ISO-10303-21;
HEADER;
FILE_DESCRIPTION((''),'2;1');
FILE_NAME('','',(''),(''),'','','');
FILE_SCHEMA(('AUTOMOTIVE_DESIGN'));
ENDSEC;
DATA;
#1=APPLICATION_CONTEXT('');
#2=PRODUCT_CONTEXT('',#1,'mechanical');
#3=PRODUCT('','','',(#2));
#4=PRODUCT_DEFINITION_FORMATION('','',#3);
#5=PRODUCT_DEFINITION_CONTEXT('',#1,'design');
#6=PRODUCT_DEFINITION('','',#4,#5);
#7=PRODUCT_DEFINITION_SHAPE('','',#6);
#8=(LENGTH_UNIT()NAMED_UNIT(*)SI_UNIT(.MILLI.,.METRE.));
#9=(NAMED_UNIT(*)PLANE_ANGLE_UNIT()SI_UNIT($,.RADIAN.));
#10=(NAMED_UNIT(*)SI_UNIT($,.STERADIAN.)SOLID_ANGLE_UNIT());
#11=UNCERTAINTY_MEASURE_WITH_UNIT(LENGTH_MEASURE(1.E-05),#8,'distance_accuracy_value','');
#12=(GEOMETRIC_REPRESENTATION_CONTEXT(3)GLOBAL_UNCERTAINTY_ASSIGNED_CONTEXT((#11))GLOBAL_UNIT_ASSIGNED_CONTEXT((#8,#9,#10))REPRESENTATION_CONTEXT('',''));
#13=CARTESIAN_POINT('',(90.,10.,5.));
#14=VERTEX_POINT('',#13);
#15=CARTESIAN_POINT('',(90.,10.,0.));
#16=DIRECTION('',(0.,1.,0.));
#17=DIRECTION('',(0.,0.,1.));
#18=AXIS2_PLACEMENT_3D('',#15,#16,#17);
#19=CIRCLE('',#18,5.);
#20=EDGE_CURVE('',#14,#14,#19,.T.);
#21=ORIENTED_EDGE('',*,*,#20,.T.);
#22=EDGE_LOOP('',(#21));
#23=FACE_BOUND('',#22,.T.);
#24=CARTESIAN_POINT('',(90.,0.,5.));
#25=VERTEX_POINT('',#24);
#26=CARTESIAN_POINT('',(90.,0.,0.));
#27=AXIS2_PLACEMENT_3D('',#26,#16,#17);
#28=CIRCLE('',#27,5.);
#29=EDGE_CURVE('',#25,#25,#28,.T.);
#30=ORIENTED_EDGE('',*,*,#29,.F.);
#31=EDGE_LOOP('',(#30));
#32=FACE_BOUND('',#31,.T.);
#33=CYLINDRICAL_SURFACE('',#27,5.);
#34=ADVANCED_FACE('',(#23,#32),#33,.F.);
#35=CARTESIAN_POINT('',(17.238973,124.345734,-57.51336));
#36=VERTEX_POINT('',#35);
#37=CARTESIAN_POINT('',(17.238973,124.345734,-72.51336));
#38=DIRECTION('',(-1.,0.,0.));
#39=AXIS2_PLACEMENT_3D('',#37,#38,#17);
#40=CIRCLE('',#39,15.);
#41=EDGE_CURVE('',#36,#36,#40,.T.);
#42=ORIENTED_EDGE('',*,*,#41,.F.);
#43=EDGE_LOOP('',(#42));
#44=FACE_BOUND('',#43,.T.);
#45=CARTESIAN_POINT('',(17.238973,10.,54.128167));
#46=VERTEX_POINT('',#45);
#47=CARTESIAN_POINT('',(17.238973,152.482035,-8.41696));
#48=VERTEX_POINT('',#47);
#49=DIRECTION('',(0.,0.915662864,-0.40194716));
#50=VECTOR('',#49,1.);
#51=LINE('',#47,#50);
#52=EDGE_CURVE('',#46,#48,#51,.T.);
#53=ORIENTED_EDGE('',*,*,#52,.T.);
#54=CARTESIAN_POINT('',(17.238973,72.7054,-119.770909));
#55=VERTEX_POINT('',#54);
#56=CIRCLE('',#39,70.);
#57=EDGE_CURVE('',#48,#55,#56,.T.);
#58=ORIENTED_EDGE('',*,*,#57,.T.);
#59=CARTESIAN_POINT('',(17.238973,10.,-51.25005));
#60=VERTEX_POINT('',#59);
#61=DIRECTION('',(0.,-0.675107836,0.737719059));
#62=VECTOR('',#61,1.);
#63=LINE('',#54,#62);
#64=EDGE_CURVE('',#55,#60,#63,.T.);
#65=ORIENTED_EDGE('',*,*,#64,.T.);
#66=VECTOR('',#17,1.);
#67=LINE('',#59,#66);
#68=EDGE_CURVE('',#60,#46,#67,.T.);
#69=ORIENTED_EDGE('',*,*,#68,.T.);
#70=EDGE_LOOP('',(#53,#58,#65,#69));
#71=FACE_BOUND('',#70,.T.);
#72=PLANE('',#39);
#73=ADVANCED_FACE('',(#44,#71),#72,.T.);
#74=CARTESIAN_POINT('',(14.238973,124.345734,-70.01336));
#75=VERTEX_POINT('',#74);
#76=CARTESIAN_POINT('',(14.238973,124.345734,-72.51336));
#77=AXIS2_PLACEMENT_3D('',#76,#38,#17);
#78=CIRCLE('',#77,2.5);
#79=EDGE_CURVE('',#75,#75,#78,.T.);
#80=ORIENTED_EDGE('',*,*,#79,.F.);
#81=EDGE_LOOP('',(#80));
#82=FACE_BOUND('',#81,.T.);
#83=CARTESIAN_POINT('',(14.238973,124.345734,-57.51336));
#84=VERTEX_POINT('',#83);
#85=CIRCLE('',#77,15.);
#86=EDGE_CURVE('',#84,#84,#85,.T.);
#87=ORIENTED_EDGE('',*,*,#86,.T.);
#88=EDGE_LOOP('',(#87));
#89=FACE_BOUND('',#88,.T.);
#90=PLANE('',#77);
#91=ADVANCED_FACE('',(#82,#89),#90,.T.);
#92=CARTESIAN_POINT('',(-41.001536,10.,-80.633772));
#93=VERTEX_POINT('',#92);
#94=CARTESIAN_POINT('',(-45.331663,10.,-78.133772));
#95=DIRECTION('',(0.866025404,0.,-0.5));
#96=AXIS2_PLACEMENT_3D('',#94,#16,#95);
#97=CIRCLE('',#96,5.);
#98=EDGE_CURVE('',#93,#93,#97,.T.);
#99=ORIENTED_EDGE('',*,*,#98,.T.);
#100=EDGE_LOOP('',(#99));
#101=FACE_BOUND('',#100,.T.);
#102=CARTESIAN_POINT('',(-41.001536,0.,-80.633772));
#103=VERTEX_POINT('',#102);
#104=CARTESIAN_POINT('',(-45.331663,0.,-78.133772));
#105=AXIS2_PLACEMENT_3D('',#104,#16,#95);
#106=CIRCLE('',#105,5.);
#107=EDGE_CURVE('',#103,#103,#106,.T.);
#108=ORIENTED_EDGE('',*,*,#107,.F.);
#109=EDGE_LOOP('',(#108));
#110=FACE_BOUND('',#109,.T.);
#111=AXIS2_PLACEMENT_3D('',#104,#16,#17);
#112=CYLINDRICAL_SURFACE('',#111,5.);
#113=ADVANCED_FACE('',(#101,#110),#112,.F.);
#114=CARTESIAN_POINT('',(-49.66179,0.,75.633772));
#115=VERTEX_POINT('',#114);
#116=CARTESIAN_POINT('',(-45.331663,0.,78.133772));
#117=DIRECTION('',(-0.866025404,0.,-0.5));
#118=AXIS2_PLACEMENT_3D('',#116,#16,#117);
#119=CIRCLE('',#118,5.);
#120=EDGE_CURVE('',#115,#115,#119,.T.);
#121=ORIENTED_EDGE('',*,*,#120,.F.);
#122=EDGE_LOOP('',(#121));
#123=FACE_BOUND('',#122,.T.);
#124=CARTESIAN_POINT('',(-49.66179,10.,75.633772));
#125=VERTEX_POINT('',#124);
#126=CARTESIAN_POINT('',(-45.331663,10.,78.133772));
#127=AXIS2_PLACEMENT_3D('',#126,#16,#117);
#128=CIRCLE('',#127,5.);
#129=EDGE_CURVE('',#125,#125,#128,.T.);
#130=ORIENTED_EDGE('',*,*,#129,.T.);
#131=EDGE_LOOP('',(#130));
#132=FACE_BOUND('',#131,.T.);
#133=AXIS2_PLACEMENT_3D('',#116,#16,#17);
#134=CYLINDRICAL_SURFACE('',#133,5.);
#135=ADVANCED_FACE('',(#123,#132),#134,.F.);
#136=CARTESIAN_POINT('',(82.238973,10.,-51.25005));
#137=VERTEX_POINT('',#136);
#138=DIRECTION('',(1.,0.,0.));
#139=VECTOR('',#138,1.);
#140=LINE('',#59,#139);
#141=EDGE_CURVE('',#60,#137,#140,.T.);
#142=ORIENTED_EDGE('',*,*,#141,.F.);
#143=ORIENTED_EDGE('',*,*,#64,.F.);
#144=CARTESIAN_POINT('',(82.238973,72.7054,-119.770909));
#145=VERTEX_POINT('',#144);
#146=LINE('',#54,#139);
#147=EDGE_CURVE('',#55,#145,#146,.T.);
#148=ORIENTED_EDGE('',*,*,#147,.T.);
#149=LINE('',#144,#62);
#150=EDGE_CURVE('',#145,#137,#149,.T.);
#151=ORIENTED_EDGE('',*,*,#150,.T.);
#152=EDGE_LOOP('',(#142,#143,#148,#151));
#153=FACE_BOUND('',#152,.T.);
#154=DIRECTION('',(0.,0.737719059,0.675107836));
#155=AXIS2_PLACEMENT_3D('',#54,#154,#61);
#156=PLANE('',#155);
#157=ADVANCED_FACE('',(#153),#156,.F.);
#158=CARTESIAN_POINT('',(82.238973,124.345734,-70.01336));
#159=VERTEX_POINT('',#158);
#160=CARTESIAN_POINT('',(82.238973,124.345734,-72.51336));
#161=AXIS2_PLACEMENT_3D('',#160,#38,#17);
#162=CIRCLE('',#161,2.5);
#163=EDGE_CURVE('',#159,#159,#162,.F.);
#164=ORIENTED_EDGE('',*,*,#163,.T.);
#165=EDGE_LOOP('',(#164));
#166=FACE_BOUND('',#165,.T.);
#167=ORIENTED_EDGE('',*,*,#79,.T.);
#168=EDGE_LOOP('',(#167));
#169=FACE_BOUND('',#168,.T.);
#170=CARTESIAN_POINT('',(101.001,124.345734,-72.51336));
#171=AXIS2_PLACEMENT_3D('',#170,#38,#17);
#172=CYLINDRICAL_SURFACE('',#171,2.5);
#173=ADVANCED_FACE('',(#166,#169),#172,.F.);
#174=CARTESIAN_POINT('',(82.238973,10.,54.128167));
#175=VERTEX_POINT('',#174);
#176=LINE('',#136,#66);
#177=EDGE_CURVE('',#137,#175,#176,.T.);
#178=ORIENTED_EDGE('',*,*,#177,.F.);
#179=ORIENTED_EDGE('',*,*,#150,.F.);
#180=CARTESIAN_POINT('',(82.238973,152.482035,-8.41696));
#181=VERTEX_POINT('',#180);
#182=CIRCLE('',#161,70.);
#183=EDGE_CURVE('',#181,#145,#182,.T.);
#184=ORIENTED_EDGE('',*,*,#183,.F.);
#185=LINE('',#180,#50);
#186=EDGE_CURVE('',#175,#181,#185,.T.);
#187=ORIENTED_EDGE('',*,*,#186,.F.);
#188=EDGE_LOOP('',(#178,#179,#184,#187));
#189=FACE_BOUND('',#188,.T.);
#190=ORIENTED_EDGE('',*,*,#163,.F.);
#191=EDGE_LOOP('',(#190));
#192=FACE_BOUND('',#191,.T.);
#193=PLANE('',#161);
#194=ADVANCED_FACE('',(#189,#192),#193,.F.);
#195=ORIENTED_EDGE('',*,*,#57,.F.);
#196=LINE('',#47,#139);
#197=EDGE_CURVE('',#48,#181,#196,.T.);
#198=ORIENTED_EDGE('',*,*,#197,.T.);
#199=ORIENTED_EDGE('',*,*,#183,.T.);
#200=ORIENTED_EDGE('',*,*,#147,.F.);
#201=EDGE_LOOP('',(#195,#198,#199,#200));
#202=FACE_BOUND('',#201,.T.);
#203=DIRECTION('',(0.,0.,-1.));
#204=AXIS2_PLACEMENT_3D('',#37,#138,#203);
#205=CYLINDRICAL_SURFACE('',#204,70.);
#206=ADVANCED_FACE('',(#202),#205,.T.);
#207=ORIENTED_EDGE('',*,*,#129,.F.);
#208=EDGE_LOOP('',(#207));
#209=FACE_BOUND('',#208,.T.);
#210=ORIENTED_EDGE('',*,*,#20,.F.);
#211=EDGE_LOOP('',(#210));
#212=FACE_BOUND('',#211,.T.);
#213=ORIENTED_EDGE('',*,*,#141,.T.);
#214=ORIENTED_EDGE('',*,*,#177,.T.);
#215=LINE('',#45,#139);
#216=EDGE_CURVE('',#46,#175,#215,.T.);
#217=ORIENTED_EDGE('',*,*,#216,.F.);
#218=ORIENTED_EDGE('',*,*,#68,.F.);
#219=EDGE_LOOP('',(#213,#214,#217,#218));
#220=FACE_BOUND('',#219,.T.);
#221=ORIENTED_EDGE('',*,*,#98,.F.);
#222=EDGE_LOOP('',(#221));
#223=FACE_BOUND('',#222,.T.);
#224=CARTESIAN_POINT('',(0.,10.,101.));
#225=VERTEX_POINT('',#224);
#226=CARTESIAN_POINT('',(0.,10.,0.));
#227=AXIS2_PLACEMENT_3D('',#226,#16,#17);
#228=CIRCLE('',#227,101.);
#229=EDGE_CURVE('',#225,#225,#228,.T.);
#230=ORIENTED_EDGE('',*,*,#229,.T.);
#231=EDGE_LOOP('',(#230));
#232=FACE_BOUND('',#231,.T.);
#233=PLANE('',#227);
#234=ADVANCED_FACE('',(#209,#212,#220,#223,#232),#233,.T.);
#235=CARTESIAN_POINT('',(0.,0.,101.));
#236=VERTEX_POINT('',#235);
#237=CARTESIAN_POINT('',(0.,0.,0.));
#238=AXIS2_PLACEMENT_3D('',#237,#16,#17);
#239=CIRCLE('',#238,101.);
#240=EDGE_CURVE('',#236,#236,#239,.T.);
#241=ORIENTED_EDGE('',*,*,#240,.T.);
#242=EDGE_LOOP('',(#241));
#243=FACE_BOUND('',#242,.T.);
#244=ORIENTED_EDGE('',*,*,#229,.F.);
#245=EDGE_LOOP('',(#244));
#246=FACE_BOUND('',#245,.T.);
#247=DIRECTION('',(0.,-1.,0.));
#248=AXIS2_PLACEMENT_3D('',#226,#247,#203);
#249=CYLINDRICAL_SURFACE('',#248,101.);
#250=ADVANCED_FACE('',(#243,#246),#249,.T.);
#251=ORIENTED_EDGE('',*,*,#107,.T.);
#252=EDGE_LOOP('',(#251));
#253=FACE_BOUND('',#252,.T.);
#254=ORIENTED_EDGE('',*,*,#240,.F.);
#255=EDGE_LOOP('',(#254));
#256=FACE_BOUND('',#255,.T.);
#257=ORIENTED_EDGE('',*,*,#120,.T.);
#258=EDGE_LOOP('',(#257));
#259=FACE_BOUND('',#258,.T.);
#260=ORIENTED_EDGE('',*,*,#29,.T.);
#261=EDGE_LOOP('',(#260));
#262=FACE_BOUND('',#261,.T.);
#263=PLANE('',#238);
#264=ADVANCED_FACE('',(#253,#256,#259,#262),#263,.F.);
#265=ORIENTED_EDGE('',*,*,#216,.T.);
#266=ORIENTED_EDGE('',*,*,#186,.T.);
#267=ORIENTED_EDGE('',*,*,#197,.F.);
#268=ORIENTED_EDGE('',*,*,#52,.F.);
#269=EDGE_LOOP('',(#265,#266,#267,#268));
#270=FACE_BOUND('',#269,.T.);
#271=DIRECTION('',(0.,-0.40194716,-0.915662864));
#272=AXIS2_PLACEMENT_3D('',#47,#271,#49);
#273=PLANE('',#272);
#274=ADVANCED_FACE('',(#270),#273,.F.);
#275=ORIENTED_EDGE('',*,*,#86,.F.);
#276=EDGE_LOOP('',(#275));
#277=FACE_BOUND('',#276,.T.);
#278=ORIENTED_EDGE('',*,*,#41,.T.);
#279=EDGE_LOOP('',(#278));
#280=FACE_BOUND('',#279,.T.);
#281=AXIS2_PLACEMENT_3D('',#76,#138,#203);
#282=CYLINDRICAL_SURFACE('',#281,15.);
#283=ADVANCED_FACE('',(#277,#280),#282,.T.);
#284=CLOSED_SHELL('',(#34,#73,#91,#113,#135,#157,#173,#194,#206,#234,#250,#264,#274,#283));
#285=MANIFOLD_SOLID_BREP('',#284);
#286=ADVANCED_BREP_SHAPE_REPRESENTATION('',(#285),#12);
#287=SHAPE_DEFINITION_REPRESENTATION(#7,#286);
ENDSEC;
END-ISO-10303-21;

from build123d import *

# Parameters (mm, degrees)
SKETCH_1_R               = 101
EXTRUDE_1_DEPTH          = 10
SKETCH_2_R               = 5
CUT_EXTRUDE_1_DEPTH      = 144.185194765
PATTERN_CIRCULAR_1_COUNT = 3
SKETCH_4_W               = 2.176372913
SKETCH_4_H               = 3.886380203
EXTRUDE_2_DEPTH          = 10
EXTRUDE_3_DEPTH          = 65
CUT_EXTRUDE_2_REACH      = 270.441
SKETCH_6_R               = 2.5
SKETCH_7_R               = 15
EXTRUDE_4_DEPTH          = 3
SKETCH_8_R               = 2.5
CUT_EXTRUDE_3_DEPTH      = 3
SKETCH_9_W               = 6.543349856
SKETCH_9_H               = 10.764234758
CUT_EXTRUDE_4_DEPTH      = 10


with BuildPart() as part:
    # 草图1 → 凸台-拉伸1 (new body)
    with BuildSketch(Plane(origin=(0, 0, 0), x_dir=(1, 0, 0), z_dir=(0, 1, 0))):
        with Locations(Location((0, 0, 0), (0, 0, 270))):
            Circle(SKETCH_1_R)
    extrude(amount=EXTRUDE_1_DEPTH)

    # 草图2 → 切除-拉伸1 (cut, through all)
    with BuildSketch(Plane(origin=(0, 10, 0), x_dir=(1, 0, 0), z_dir=(0, 1, 0))):
        with Locations(Location((90, 0, 0), (0, 0, 270))):
            Circle(SKETCH_2_R)
    cut_extrude_1 = extrude(amount=-CUT_EXTRUDE_1_DEPTH, mode=Mode.SUBTRACT)

    # 阵列(圆周)1: 切除-拉伸1 ×3 about axis
    pattern_circular_1_axis = Axis((-0.221108491, 0, 0), (0, 1, 0))
    for i in range(1, PATTERN_CIRCULAR_1_COUNT):
        add(cut_extrude_1.rotate(pattern_circular_1_axis, i * 360 / PATTERN_CIRCULAR_1_COUNT), mode=Mode.SUBTRACT)

    # 草图4 → 凸台-拉伸2 (add)
    with BuildSketch(Plane(origin=(0, 10, 0), x_dir=(1, 0, 0), z_dir=(0, 1, 0))):
        with Locations((98.327159319, -0.022531505)):
            Rectangle(SKETCH_4_W, SKETCH_4_H)
    extrude(amount=EXTRUDE_2_DEPTH)

    # 草图5 → 凸台-拉伸3 (add)
    with BuildSketch(Plane.ZY.offset(-82.238972862)):
        with BuildLine():
            Line((-119.770908646, 72.705399825), (-51.25005009, 10))
            Line((-51.25005009, 10), (54.128166527, 10))
            Line((54.128166527, 10), (-8.416959639, 152.482035135))
            ThreePointArc((-8.416959639, 152.482035135), (-113.280560411, 181.249471787), (-119.770908646, 72.705399825))
        make_face()
    extrude(amount=EXTRUDE_3_DEPTH)

    # 草图6 → 切除-拉伸2 (cut, up to next)
    with BuildSketch(Plane.ZY.offset(-17.238972862), mode=Mode.PRIVATE) as cut_extrude_2_sk1:
        with Locations((-72.513360124, 124.345733942)):
            Circle(SKETCH_6_R)
    cut_extrude_2_tool1 = extrude(cut_extrude_2_sk1.sketch, amount=-CUT_EXTRUDE_2_REACH, mode=Mode.PRIVATE) & part.part
    add(cut_extrude_2_tool1.solids().sort_by_distance((17.238973, 124.345734, -72.51336))[0], mode=Mode.SUBTRACT)

    # 草图7 → 凸台-拉伸4 (add)
    with BuildSketch(Plane.ZY.offset(-17.238972862)):
        with Locations((-72.513360124, 124.345733942)):
            Circle(SKETCH_7_R)
    extrude(amount=EXTRUDE_4_DEPTH)

    # 草图8 → 切除-拉伸3 (cut)
    with BuildSketch(Plane.ZY.offset(-14.238972862)):
        with Locations((-72.513360124, 124.345733942)):
            Circle(SKETCH_8_R)
    extrude(amount=-CUT_EXTRUDE_3_DEPTH, mode=Mode.SUBTRACT)

    # 草图9 → 切除-拉伸4 (cut)
    with BuildSketch(Plane(origin=(99.415345775, 0, 0), x_dir=(0, 0, -1), z_dir=(1, 0, 0))):
        with Locations((0.262028791, 15.382117379)):
            Rectangle(SKETCH_9_W, SKETCH_9_H)
    extrude(amount=-CUT_EXTRUDE_4_DEPTH, mode=Mode.SUBTRACT)


solid = part.part
